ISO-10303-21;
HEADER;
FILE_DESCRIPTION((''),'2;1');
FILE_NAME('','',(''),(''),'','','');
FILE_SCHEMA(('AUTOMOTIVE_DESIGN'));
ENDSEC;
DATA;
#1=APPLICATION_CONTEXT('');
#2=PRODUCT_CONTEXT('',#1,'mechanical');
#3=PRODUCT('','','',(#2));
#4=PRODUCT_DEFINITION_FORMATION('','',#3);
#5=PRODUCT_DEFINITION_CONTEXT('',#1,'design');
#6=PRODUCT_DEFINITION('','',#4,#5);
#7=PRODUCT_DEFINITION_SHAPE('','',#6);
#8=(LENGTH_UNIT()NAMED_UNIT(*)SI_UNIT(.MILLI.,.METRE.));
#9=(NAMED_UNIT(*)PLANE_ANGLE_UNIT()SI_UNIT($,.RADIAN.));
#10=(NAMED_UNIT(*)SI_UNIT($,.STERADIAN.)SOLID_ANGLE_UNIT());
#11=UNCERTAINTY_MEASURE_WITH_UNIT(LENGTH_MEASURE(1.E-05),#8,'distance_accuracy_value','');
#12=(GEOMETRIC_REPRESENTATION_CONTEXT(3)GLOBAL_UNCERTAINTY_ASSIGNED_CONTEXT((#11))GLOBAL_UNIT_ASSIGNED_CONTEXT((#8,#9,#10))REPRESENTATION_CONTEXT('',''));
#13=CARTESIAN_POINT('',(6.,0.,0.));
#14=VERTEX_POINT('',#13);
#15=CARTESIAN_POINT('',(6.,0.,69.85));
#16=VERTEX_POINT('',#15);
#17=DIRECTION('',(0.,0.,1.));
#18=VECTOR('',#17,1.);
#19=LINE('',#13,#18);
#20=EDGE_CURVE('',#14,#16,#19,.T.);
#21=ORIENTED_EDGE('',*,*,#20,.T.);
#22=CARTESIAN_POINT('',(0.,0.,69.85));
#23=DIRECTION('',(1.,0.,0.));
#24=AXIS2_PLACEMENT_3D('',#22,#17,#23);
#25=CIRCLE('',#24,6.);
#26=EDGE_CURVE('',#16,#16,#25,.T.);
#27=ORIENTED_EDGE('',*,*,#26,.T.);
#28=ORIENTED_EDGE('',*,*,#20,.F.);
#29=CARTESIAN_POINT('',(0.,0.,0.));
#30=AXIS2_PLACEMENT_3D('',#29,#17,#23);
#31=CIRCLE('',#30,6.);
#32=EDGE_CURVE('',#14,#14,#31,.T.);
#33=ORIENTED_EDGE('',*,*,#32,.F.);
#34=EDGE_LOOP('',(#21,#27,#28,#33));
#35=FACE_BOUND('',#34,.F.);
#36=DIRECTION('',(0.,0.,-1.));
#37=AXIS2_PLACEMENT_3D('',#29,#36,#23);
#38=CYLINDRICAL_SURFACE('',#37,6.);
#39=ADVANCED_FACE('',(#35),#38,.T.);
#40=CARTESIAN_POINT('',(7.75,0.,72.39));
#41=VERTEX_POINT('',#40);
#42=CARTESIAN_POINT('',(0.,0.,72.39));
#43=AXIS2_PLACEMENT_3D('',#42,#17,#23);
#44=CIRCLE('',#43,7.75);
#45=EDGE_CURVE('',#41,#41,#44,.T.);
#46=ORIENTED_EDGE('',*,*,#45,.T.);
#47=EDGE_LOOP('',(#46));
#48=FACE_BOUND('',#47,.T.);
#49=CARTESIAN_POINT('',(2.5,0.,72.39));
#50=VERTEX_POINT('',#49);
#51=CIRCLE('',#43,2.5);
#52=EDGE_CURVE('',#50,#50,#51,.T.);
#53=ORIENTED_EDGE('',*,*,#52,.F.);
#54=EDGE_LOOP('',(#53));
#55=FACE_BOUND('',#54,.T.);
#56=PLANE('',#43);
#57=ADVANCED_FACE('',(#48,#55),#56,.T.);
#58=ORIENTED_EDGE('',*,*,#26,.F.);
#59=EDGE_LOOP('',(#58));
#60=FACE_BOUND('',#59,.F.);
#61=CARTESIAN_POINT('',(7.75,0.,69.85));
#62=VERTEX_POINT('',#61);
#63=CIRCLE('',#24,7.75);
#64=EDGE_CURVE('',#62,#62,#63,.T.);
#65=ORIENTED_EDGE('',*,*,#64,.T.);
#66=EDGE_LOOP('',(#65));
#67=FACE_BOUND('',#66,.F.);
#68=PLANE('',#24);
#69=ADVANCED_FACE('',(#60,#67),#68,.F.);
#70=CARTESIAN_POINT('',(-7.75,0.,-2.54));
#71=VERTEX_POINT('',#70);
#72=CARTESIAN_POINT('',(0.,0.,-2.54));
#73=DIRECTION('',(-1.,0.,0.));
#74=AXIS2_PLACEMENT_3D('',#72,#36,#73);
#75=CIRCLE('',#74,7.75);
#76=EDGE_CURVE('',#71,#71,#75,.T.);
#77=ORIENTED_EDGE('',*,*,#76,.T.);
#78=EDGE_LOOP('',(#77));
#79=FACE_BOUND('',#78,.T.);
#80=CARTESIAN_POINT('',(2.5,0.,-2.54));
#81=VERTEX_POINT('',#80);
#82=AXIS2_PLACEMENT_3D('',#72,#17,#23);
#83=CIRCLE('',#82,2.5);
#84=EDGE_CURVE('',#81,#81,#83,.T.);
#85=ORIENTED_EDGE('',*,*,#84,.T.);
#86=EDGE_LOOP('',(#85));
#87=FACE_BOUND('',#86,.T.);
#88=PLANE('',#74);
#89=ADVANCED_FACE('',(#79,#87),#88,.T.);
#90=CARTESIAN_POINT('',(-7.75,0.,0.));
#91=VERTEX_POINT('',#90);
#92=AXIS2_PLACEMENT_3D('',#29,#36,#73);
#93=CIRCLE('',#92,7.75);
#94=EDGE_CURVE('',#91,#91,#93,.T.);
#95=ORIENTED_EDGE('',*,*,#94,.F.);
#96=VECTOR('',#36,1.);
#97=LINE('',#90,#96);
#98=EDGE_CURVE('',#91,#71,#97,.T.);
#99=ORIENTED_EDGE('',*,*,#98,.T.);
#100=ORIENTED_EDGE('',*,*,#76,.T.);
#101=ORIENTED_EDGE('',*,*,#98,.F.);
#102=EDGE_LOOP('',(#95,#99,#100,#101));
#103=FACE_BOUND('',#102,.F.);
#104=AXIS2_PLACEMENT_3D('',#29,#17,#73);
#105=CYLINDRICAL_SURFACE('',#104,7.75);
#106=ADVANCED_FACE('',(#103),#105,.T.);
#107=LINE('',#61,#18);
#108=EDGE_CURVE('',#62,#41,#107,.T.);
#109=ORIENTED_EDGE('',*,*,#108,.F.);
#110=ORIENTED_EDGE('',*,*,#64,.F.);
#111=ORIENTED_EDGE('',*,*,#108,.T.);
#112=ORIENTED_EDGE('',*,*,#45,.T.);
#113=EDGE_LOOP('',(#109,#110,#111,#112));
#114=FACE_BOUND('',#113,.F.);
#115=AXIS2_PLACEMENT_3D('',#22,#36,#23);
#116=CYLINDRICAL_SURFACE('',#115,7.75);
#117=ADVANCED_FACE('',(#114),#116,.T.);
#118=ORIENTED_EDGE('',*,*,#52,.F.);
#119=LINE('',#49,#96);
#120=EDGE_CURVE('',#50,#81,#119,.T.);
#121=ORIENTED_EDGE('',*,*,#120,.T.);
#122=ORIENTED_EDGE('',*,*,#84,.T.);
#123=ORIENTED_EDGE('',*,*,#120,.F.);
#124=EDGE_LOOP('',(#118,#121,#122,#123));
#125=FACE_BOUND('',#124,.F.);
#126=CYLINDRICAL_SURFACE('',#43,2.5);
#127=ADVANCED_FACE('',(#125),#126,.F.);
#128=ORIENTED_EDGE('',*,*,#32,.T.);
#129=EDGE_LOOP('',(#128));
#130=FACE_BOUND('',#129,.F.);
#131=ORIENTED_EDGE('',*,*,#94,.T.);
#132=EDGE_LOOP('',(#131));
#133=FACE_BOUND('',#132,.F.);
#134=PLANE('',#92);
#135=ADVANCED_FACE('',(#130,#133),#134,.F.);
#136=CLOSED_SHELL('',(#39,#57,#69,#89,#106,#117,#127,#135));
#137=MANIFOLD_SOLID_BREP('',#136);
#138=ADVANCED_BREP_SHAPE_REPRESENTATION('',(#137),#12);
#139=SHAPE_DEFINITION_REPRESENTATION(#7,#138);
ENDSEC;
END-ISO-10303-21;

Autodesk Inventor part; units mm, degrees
ref_plane "YZ Plane" through (0, 0, 0) normal (1, 0, 0) x (0, 1, 0)
ref_plane "XZ Plane" through (0, 0, 0) normal (0, 1, 0) x (-1, 0, 0)
ref_plane "XY Plane" through (0, 0, 0) normal (0, 0, 1) x (1, 0, 0)
sketch "Sketch1" plane through (0, 0, 0) normal (0, 0, 1) x (1, 0, 0)
  circle A0 centre (0, 0) radius 6
  dimension "d0" = 12
extrude "Extrusion1" add sketch "Sketch1" along normal blind 69.85
sketch "Sketch2" plane through (0, 0, 69.85) normal (0, 0, 1) x (1, 0, 0)
  circle A0 centre (0, 0) radius 7.75
  dimension "d3" = 15.5
extrude "Extrusion2" add sketch "Sketch2" along normal blind 2.54
sketch "Sketch3" plane through (0, 0, 0) normal (0, 0, -1) x (-1, 0, 0)
  circle A0 centre (0, 0) radius 7.75
  dimension "d6" = 15.5
extrude "Extrusion3" add sketch "Sketch3" along normal blind 2.54
sketch "Sketch4" plane through (0, 0, 72.39) normal (0, 0, 1) x (1, 0, 0)
  circle A0 centre (0, 0) radius 2.5
  dimension "d9" = 5
extrude "Extrusion4" cut sketch "Sketch4" against normal blind 127
properties part number "SteelSpoolBar"
